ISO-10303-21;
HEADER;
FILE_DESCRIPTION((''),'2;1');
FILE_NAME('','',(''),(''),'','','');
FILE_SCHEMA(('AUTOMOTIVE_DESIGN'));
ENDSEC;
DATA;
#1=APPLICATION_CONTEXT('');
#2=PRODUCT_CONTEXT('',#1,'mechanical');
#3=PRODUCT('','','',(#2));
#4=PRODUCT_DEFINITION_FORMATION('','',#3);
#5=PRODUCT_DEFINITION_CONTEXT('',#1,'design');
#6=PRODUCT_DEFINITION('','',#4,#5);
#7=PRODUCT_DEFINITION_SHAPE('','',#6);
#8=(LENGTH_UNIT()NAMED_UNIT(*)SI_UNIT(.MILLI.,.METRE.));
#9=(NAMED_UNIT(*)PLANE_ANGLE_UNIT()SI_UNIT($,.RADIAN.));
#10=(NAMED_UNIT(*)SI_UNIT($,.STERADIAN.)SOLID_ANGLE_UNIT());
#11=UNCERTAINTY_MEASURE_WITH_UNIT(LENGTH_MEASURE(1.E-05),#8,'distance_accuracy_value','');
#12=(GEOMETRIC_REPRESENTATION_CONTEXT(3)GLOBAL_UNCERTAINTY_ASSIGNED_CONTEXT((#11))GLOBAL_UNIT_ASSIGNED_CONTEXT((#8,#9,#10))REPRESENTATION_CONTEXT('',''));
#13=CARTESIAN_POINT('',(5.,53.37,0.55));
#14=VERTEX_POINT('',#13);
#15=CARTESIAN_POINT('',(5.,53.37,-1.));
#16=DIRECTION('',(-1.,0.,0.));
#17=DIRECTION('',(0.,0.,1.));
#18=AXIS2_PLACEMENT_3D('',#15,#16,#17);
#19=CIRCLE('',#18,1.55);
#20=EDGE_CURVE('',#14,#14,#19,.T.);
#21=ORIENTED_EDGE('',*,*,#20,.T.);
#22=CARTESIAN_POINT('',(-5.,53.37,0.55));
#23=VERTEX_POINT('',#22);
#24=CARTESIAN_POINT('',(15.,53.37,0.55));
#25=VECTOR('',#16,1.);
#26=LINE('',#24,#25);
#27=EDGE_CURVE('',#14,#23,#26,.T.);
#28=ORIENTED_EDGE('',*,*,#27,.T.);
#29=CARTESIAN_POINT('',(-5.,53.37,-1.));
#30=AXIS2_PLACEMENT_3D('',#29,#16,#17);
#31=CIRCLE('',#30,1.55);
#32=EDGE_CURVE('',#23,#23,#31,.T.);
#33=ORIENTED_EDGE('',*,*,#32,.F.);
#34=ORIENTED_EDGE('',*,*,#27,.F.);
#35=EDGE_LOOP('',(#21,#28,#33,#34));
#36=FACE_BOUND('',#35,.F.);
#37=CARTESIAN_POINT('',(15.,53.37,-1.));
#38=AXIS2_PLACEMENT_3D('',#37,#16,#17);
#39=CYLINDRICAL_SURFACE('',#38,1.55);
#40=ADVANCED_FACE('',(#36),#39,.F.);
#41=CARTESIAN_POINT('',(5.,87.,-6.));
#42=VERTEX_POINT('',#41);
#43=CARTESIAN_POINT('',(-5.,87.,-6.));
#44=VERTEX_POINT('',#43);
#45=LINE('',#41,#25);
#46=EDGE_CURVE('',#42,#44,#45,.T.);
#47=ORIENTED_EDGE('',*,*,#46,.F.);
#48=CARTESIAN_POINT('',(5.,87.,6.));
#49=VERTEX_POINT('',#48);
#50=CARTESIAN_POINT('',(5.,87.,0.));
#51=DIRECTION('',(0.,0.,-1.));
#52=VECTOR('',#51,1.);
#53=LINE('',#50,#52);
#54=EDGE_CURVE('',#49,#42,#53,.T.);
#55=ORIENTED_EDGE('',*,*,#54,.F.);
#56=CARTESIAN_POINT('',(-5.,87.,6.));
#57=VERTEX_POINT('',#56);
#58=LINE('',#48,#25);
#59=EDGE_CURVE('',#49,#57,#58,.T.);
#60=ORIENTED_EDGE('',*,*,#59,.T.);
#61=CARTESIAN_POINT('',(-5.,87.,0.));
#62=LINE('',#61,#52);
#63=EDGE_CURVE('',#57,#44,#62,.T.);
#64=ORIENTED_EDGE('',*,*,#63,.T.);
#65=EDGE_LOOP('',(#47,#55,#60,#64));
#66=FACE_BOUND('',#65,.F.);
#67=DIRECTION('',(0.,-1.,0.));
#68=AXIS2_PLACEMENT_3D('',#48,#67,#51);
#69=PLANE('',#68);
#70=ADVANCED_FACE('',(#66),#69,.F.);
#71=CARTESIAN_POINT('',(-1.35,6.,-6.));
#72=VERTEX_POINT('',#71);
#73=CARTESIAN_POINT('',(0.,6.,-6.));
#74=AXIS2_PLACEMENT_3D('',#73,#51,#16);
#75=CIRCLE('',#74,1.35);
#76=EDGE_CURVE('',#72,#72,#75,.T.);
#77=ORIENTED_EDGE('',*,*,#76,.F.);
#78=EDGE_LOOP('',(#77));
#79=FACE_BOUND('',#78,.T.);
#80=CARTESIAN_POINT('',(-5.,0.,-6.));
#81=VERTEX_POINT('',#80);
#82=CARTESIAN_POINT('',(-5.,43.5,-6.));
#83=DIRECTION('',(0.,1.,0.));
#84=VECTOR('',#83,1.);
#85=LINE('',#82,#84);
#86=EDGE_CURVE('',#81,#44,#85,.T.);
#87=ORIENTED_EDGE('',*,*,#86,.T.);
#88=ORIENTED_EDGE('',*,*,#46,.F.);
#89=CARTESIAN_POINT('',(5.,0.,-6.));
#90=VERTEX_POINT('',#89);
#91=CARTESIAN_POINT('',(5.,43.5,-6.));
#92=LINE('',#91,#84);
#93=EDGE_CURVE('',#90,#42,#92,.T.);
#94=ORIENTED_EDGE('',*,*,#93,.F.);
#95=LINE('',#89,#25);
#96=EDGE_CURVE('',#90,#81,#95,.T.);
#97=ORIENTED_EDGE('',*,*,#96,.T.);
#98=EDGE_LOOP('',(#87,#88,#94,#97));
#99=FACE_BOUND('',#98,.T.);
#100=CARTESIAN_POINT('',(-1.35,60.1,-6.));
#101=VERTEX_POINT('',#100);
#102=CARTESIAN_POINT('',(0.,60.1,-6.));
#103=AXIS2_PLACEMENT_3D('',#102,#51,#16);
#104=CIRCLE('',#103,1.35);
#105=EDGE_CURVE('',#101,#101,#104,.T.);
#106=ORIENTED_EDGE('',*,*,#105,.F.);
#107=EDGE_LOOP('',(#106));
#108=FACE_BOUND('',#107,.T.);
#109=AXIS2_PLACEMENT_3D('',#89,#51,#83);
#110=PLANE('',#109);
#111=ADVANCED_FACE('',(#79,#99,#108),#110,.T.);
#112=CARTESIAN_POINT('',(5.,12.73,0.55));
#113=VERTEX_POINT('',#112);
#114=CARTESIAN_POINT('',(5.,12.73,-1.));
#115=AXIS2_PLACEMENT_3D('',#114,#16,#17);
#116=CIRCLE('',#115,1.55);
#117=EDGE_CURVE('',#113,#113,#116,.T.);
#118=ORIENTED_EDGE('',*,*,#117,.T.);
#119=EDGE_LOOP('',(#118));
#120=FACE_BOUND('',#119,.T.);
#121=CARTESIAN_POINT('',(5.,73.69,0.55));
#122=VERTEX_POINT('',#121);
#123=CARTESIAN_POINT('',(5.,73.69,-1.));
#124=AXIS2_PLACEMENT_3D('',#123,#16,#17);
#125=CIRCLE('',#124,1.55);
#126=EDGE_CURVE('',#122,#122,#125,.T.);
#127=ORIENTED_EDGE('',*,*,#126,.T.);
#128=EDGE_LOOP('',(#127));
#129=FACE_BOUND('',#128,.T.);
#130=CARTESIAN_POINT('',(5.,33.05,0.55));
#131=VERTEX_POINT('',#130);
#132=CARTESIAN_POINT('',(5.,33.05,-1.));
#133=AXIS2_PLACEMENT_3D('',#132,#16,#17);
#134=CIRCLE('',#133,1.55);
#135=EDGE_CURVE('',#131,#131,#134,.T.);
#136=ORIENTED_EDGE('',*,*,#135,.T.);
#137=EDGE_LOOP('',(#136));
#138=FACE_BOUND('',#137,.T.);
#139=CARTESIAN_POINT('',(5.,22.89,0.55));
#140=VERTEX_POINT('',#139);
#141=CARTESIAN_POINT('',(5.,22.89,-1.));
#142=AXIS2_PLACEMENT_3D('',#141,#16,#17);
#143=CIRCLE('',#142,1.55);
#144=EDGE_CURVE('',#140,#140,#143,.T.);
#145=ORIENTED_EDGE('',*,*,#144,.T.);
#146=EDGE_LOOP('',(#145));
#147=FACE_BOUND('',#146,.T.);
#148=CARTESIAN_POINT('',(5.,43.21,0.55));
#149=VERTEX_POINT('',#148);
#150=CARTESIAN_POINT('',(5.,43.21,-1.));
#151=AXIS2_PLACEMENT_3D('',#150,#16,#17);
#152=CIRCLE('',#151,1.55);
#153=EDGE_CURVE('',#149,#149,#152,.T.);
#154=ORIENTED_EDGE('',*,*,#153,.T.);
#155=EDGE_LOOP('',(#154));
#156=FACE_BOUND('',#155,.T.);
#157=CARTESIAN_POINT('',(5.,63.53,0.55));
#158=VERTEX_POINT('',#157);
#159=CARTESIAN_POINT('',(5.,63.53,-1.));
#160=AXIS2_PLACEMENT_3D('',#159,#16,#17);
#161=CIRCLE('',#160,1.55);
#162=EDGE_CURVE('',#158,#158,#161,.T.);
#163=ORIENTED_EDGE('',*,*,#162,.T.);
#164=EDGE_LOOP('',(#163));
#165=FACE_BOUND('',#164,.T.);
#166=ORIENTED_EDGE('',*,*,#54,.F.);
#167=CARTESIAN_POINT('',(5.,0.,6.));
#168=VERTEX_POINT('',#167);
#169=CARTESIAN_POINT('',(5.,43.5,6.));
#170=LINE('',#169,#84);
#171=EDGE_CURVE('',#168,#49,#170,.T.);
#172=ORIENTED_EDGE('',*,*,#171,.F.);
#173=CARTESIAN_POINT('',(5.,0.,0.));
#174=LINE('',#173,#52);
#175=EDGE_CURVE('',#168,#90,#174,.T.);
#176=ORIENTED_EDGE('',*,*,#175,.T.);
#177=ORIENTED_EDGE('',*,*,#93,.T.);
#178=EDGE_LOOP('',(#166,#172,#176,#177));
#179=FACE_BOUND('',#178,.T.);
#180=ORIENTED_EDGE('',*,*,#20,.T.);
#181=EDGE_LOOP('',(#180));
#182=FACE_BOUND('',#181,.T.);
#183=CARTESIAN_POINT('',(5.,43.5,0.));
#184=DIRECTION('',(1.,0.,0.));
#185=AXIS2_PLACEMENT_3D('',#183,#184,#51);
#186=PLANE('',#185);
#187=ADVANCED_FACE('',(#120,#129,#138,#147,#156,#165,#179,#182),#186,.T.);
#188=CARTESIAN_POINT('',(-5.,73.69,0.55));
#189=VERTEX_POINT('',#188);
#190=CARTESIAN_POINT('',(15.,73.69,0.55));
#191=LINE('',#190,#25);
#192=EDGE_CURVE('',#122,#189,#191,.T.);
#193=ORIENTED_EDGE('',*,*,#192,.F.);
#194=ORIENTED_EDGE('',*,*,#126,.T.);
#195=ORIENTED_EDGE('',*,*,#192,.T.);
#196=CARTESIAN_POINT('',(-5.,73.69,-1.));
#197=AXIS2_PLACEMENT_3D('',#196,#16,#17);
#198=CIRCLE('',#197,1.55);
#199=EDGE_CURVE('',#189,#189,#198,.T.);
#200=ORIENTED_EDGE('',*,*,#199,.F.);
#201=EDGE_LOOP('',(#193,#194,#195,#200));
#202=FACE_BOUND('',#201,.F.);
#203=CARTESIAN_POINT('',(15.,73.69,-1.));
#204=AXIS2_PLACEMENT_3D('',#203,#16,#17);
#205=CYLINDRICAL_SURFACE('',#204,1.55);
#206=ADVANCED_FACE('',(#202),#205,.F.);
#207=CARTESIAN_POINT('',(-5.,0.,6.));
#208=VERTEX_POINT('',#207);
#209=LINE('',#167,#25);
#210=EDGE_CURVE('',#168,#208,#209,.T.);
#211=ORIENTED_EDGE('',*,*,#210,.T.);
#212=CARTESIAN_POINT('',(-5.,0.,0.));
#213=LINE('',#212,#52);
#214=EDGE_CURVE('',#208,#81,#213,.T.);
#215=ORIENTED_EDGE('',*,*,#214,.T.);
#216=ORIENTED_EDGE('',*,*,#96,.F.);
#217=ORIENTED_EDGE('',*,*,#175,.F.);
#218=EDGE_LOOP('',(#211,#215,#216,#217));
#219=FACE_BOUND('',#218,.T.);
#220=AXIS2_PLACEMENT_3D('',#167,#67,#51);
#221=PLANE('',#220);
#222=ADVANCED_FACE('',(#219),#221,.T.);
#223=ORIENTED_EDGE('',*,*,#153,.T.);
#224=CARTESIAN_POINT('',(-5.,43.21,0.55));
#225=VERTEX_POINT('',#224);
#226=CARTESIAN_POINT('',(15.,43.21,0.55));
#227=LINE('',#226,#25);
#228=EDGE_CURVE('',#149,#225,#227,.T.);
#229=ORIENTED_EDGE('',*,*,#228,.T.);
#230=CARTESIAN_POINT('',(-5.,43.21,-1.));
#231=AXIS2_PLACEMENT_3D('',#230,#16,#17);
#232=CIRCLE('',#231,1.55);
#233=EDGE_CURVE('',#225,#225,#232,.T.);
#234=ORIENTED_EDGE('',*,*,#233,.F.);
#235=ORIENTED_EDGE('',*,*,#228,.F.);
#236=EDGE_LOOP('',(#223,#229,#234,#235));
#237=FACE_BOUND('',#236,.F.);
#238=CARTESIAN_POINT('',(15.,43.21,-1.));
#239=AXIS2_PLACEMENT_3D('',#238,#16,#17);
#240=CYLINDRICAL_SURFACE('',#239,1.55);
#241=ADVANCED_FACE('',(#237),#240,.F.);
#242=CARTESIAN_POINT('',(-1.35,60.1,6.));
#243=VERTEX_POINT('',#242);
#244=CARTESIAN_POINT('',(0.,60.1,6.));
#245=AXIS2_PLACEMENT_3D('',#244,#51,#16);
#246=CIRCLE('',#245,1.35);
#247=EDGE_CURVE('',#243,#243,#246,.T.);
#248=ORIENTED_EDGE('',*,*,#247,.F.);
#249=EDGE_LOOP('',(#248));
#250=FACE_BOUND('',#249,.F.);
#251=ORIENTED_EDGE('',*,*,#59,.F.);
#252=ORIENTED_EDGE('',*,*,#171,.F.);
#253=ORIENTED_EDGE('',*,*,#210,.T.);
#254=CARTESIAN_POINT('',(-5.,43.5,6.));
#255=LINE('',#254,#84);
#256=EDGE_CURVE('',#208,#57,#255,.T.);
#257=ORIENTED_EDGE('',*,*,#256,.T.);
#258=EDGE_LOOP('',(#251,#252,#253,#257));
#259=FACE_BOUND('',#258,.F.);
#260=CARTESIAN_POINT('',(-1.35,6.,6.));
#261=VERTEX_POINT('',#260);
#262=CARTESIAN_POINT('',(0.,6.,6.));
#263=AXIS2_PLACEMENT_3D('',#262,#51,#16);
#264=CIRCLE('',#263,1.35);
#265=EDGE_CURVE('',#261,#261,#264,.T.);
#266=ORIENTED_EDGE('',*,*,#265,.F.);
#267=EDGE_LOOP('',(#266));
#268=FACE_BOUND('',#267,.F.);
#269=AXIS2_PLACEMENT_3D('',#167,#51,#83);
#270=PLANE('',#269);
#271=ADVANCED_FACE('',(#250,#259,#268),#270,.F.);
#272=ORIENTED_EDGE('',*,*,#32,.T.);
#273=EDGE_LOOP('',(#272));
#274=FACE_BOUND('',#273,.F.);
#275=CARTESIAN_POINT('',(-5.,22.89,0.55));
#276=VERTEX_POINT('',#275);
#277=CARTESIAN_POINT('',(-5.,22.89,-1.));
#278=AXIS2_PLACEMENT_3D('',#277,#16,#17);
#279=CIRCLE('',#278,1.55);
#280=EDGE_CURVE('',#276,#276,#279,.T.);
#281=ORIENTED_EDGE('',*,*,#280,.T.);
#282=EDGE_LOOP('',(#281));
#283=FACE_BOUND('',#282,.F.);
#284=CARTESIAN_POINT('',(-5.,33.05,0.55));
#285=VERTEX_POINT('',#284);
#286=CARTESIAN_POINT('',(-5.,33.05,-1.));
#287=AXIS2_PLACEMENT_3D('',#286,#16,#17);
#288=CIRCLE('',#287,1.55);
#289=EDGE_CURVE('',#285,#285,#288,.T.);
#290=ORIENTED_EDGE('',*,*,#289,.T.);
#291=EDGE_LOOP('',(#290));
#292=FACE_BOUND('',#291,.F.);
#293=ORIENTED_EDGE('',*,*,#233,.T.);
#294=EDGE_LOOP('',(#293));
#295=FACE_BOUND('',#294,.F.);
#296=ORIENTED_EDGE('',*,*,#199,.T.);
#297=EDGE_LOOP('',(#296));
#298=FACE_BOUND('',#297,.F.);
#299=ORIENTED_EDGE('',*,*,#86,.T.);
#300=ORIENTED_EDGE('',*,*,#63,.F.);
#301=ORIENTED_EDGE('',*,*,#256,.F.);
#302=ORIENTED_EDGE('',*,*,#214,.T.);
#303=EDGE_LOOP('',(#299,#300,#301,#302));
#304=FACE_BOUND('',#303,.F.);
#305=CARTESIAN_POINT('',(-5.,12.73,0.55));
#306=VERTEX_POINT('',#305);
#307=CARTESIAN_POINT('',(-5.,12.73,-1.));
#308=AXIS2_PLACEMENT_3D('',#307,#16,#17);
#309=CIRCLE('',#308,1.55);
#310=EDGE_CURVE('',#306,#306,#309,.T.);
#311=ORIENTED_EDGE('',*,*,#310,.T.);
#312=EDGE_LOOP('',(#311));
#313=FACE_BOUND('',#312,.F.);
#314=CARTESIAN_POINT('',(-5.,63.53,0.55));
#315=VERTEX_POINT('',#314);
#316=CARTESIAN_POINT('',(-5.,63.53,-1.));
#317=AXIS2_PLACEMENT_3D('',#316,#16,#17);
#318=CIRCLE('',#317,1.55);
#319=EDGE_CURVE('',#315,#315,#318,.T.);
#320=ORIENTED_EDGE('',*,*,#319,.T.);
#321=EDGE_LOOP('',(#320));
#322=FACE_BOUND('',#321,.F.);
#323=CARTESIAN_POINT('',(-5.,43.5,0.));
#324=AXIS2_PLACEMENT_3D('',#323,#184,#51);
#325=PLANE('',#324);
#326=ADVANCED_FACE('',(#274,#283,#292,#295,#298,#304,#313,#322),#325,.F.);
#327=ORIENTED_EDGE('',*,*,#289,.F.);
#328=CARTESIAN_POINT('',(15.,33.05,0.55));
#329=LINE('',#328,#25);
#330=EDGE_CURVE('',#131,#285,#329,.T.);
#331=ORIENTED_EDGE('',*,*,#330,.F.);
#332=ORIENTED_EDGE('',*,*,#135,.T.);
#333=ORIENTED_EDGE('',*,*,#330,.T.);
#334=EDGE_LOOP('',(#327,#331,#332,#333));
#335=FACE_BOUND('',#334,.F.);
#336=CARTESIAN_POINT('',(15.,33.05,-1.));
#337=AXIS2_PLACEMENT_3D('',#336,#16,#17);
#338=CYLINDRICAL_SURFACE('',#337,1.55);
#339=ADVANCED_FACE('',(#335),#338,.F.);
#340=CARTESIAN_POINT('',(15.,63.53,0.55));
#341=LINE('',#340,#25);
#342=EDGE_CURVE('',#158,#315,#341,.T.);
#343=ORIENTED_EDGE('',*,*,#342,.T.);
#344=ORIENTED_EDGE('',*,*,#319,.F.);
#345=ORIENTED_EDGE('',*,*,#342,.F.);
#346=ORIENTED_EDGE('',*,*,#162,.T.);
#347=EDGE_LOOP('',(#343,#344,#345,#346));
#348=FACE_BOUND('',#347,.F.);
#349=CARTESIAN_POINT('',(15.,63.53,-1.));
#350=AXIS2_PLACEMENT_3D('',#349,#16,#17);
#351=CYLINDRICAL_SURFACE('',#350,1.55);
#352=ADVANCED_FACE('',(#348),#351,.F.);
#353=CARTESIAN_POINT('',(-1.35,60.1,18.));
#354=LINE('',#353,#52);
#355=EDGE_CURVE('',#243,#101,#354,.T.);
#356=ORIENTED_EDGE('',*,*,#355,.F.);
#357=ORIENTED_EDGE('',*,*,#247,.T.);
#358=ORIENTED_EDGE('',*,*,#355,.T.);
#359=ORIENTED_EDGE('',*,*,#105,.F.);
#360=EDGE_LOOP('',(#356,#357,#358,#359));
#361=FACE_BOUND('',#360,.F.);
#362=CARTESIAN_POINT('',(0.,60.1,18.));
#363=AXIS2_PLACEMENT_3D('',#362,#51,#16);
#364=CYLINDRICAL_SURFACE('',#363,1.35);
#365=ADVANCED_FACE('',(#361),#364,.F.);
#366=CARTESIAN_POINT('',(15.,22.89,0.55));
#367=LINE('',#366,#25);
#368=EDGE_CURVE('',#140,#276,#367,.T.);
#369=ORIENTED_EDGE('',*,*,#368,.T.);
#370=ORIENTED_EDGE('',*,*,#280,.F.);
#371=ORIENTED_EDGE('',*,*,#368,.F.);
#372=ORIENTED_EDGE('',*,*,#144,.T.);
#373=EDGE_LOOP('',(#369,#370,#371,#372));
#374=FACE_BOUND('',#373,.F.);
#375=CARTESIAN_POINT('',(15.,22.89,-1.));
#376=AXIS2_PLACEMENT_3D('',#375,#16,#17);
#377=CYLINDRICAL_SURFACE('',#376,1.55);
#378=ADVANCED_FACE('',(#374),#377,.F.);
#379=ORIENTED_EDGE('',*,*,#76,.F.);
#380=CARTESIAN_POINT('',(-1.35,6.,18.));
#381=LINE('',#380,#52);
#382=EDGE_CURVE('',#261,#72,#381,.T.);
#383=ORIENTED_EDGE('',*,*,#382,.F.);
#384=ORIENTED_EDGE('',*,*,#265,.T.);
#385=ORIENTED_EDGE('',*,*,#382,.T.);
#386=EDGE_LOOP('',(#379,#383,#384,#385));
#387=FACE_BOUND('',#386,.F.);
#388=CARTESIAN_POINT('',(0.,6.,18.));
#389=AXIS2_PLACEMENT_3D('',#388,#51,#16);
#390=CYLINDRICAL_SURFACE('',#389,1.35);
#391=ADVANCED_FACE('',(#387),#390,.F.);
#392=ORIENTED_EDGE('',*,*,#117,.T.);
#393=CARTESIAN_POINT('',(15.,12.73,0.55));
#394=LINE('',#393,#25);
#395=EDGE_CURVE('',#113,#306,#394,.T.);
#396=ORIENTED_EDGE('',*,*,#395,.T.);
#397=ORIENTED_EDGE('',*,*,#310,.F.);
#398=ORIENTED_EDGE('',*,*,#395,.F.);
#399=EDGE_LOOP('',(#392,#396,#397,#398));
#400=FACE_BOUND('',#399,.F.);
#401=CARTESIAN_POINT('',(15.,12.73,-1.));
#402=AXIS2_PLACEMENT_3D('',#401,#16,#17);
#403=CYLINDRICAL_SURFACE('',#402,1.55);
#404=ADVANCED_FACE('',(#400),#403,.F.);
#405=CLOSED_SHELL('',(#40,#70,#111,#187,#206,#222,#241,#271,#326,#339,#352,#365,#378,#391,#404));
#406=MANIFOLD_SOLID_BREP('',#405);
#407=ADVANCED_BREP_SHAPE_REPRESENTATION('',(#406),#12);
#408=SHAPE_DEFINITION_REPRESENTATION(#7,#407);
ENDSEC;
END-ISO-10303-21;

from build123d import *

# Parameters (mm, degrees)
SKETCH_1_W                  = 12
SKETCH_1_H                  = 87
EXTRUDE_1_DEPTH             = 10
HOLE_WIZARD_3_1_3_1_1_D     = 3.1
HOLE_WIZARD_3_1_3_1_1_DEPTH = 10
HOLE_WIZARD_2_7_2_7_1_D     = 2.7
HOLE_WIZARD_2_7_2_7_1_DEPTH = 12


with BuildPart() as part:
    # 草圖1 → 填料-伸長1 (new body)
    with BuildSketch(Plane(origin=(5, 0, 0), x_dir=(0, 0, -1), z_dir=(1, 0, 0))):
        with Locations((0, 43.5)):
            Rectangle(SKETCH_1_W, SKETCH_1_H)
    extrude(amount=-EXTRUDE_1_DEPTH)

    # Ø3.1 (3.1) 直徑孔1
    with Locations(Plane(origin=(5, 0, 0), x_dir=(0, 0, -1), z_dir=(1, 0, 0))):
        with Locations((1, 63.53), (1, 43.21), (1, 22.89), (1, 53.37), (1, 33.05), (1, 12.73), (1, 73.69)):
            Hole(HOLE_WIZARD_3_1_3_1_1_D / 2, depth=HOLE_WIZARD_3_1_3_1_1_DEPTH)

    # Ø2.7 (2.7) 直徑孔1
    with Locations(Plane.XY.offset(6)):
        with Locations((0, 60.1), (0, 6)):
            Hole(HOLE_WIZARD_2_7_2_7_1_D / 2, depth=HOLE_WIZARD_2_7_2_7_1_DEPTH)


solid = part.part
